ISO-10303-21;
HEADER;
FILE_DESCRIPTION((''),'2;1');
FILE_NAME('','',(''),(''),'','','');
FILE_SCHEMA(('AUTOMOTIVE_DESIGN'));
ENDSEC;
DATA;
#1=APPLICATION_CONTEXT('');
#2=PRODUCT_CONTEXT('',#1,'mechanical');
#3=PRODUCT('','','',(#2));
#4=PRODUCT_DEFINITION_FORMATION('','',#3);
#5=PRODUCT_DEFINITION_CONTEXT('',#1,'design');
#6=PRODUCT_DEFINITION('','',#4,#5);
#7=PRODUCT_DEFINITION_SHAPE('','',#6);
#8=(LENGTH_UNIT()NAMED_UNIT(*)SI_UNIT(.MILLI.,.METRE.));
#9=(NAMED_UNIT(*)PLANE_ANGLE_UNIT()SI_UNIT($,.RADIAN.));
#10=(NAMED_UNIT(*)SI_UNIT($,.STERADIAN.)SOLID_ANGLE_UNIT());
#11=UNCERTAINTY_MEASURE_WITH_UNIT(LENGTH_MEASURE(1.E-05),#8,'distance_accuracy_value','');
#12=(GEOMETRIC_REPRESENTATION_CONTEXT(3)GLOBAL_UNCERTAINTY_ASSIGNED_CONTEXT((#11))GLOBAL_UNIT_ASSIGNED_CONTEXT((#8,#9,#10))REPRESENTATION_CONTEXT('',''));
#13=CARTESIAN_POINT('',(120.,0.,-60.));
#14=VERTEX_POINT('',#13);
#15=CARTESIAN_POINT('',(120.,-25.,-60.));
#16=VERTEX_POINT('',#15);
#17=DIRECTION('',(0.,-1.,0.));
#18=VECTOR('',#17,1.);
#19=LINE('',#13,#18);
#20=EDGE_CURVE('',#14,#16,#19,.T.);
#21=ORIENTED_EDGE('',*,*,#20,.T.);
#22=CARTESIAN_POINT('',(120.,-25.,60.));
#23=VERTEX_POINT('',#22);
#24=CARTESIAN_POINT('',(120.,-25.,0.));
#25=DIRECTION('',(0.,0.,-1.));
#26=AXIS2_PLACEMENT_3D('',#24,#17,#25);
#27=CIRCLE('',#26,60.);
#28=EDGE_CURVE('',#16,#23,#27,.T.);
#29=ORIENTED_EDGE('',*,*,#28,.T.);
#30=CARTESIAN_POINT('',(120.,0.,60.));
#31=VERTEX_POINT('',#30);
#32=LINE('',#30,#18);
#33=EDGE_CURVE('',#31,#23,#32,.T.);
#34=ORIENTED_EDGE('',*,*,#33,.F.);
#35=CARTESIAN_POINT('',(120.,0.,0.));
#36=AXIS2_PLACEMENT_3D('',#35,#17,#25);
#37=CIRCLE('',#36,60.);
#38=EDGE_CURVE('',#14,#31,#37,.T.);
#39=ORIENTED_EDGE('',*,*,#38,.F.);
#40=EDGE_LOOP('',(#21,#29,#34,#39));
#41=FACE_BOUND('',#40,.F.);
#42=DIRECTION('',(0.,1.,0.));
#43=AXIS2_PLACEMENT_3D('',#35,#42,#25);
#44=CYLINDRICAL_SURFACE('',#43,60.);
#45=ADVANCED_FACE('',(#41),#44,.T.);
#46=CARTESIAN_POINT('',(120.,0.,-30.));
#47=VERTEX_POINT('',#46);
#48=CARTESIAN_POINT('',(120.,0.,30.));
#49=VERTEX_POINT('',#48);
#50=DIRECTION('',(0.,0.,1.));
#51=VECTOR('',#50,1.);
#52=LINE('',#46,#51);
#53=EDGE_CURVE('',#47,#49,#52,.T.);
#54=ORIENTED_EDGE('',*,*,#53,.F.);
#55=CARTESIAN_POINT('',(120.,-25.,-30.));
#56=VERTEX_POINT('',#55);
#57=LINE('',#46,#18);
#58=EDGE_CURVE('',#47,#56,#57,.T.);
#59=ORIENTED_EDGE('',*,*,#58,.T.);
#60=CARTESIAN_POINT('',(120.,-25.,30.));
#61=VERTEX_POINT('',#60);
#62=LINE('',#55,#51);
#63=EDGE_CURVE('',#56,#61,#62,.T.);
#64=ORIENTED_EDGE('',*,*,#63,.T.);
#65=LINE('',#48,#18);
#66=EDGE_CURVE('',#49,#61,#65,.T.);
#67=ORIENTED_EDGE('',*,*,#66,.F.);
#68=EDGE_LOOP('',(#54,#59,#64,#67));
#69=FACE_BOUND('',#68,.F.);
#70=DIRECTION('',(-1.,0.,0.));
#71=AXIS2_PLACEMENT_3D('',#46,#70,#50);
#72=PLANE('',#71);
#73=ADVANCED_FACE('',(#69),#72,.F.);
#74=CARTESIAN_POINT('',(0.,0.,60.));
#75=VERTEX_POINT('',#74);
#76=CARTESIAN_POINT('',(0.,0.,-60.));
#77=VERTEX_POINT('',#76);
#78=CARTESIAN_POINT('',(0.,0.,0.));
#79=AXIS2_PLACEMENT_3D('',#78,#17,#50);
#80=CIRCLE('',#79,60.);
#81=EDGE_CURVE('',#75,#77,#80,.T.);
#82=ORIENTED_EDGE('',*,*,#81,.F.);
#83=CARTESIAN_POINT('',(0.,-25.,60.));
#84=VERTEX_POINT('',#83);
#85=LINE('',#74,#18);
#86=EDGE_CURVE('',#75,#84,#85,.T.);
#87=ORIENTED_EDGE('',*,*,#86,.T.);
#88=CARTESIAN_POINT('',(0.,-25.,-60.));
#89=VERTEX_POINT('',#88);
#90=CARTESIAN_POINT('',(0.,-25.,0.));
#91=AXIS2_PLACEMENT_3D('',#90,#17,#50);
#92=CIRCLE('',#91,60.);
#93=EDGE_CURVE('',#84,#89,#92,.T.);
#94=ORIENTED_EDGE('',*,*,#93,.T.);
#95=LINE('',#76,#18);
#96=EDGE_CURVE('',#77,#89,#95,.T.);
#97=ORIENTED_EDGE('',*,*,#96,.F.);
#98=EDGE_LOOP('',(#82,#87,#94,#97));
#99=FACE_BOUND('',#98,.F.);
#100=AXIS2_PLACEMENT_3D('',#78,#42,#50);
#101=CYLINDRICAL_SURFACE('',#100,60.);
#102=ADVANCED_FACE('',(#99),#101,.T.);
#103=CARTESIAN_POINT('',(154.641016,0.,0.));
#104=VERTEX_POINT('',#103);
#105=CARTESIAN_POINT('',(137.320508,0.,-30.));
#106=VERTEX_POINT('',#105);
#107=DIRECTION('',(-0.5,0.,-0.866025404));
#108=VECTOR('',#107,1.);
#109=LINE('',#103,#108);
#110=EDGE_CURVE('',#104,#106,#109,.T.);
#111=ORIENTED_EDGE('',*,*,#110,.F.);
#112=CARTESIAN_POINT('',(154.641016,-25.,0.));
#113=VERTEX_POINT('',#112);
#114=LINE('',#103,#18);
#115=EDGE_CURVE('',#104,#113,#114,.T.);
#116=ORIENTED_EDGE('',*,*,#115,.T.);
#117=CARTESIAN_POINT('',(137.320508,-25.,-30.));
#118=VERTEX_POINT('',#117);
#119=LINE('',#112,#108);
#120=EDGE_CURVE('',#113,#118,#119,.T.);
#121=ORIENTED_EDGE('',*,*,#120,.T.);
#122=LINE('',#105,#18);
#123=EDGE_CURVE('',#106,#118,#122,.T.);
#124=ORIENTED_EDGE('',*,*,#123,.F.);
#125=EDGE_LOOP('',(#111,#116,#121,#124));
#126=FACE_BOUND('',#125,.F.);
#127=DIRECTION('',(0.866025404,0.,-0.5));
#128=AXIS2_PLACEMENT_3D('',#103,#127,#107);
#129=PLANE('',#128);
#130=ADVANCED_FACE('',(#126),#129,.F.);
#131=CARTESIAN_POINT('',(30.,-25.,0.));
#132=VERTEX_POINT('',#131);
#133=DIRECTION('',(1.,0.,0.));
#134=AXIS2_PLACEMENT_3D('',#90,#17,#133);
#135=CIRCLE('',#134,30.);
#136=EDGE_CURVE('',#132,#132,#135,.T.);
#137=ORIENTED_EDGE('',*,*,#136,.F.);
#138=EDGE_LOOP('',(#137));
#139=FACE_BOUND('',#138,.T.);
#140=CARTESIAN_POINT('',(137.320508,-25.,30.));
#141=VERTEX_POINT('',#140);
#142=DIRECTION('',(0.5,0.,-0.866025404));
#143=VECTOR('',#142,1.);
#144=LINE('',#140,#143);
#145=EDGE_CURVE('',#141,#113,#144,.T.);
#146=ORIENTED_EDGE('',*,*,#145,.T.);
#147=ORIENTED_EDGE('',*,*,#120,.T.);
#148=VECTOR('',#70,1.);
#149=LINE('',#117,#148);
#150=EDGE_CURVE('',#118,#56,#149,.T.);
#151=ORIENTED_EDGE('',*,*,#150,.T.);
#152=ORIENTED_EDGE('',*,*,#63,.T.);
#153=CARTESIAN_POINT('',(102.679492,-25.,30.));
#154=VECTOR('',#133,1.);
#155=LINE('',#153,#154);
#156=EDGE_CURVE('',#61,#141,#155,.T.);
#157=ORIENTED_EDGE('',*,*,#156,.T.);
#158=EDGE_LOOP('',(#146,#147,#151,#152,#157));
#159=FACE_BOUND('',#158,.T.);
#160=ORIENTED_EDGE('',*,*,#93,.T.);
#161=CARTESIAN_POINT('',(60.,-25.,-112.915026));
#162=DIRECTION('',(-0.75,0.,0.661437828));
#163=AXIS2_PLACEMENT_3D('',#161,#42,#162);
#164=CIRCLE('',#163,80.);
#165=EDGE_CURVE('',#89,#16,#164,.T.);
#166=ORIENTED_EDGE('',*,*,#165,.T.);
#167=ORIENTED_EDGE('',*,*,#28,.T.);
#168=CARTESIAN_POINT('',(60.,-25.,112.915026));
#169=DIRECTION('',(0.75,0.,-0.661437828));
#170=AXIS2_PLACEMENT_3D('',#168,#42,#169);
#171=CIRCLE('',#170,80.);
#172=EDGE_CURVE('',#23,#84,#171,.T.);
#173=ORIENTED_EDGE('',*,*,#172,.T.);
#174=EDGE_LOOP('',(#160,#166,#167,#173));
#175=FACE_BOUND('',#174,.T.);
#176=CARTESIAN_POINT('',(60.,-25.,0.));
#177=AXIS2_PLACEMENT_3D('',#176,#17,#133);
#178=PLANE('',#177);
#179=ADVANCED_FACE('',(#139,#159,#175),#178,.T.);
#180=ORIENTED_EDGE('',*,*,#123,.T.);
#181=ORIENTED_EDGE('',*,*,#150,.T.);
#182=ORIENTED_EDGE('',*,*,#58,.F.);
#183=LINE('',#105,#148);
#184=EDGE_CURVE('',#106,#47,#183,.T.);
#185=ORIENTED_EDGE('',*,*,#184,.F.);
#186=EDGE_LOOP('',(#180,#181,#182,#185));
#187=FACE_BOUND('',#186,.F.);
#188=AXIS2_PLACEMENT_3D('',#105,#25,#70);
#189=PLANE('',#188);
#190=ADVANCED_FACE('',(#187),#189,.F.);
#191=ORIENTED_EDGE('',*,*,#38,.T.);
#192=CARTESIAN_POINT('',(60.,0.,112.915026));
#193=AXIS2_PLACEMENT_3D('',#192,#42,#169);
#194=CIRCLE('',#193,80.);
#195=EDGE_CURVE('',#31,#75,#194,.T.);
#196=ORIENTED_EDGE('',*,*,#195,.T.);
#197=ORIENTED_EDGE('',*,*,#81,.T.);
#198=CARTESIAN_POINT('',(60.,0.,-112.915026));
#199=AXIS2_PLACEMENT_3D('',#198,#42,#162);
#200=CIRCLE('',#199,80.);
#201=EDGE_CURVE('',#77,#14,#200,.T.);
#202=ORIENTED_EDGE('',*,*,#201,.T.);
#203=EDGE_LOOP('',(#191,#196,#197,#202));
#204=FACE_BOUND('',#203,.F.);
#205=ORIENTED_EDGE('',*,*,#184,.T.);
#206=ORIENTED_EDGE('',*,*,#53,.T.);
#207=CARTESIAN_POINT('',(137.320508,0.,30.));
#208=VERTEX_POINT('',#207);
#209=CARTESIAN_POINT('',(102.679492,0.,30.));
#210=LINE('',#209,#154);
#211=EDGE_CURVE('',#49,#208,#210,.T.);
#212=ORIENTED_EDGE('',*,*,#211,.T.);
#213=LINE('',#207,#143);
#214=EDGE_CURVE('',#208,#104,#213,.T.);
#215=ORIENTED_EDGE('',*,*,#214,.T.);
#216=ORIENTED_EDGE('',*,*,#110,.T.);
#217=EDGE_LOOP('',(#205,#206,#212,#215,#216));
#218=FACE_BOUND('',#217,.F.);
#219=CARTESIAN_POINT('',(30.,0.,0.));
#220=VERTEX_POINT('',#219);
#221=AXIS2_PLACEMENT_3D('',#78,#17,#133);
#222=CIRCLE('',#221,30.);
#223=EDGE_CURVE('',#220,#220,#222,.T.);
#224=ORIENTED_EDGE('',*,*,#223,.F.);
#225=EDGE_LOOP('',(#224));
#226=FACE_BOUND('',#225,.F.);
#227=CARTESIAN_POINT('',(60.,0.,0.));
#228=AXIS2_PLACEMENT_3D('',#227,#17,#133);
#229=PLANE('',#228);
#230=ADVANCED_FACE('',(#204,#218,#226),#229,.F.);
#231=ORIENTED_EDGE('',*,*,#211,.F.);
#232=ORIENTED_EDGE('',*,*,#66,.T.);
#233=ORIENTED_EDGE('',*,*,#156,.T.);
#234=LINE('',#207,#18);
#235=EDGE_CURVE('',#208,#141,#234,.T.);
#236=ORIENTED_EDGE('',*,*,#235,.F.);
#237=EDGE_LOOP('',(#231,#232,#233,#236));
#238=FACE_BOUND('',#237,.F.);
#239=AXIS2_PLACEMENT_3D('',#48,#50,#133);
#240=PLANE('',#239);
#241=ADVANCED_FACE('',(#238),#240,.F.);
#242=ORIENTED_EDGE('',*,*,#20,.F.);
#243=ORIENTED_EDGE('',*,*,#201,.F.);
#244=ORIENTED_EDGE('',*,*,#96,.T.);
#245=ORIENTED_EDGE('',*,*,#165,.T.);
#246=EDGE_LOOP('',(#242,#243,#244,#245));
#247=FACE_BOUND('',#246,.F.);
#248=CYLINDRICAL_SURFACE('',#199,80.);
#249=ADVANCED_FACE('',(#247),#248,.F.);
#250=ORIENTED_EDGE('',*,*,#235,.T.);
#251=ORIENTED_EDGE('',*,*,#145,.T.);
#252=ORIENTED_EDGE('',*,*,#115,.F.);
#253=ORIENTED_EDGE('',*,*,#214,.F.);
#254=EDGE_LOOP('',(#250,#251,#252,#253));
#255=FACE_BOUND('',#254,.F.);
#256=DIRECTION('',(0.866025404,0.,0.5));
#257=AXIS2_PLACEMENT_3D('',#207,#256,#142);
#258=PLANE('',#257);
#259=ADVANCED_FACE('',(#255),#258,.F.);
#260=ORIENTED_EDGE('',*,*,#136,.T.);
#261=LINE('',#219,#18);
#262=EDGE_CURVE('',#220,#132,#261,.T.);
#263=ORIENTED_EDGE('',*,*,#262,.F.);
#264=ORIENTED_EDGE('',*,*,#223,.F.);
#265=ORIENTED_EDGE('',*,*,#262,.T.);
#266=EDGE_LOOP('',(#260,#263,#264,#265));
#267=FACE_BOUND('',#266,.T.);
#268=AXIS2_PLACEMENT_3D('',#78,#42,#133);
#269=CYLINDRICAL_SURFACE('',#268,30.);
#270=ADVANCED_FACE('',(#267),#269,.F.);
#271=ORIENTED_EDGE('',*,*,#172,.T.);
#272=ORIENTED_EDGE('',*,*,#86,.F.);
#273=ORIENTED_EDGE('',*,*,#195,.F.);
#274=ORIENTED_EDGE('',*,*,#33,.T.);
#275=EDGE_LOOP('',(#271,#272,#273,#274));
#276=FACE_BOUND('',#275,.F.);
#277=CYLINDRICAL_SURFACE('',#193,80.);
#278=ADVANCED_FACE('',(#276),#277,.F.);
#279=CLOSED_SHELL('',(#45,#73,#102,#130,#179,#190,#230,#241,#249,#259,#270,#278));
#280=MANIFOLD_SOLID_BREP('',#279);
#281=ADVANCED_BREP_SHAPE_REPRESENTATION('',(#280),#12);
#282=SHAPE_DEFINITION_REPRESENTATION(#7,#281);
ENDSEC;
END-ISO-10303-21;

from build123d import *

# Parameters (mm, degrees)
F0_R     = 30
F1_DEPTH = 25


with BuildPart() as f1:
    # F0 (on Front) → F1 (new body)
    with BuildSketch(Plane.XZ):
        with BuildLine():
            ThreePointArc((120, 60), (60, 32.9150262213), (0, 60))
            ThreePointArc((0, 60), (-60, 0), (0, -60))
            ThreePointArc((0, -60), (60, -32.9150262213), (120, -60))
            ThreePointArc((120, -60), (180, 0), (120, 60))
        make_face()
        Circle(F0_R, mode=Mode.SUBTRACT)
        Polygon((137.3205080757, -30), (120, -30), (102.6794919243, -30), (85.3589838486, 0), (102.6794919243, 30), (120, 30), (137.3205080757, 30), (154.6410161514, 0), align=None, mode=Mode.SUBTRACT)
        Polygon((102.6794919243, -30), (120, -30), (120, 0), (120, 30), (102.6794919243, 30), (85.3589838486, 0), align=None)
    extrude(amount=F1_DEPTH)


solid = f1.part
